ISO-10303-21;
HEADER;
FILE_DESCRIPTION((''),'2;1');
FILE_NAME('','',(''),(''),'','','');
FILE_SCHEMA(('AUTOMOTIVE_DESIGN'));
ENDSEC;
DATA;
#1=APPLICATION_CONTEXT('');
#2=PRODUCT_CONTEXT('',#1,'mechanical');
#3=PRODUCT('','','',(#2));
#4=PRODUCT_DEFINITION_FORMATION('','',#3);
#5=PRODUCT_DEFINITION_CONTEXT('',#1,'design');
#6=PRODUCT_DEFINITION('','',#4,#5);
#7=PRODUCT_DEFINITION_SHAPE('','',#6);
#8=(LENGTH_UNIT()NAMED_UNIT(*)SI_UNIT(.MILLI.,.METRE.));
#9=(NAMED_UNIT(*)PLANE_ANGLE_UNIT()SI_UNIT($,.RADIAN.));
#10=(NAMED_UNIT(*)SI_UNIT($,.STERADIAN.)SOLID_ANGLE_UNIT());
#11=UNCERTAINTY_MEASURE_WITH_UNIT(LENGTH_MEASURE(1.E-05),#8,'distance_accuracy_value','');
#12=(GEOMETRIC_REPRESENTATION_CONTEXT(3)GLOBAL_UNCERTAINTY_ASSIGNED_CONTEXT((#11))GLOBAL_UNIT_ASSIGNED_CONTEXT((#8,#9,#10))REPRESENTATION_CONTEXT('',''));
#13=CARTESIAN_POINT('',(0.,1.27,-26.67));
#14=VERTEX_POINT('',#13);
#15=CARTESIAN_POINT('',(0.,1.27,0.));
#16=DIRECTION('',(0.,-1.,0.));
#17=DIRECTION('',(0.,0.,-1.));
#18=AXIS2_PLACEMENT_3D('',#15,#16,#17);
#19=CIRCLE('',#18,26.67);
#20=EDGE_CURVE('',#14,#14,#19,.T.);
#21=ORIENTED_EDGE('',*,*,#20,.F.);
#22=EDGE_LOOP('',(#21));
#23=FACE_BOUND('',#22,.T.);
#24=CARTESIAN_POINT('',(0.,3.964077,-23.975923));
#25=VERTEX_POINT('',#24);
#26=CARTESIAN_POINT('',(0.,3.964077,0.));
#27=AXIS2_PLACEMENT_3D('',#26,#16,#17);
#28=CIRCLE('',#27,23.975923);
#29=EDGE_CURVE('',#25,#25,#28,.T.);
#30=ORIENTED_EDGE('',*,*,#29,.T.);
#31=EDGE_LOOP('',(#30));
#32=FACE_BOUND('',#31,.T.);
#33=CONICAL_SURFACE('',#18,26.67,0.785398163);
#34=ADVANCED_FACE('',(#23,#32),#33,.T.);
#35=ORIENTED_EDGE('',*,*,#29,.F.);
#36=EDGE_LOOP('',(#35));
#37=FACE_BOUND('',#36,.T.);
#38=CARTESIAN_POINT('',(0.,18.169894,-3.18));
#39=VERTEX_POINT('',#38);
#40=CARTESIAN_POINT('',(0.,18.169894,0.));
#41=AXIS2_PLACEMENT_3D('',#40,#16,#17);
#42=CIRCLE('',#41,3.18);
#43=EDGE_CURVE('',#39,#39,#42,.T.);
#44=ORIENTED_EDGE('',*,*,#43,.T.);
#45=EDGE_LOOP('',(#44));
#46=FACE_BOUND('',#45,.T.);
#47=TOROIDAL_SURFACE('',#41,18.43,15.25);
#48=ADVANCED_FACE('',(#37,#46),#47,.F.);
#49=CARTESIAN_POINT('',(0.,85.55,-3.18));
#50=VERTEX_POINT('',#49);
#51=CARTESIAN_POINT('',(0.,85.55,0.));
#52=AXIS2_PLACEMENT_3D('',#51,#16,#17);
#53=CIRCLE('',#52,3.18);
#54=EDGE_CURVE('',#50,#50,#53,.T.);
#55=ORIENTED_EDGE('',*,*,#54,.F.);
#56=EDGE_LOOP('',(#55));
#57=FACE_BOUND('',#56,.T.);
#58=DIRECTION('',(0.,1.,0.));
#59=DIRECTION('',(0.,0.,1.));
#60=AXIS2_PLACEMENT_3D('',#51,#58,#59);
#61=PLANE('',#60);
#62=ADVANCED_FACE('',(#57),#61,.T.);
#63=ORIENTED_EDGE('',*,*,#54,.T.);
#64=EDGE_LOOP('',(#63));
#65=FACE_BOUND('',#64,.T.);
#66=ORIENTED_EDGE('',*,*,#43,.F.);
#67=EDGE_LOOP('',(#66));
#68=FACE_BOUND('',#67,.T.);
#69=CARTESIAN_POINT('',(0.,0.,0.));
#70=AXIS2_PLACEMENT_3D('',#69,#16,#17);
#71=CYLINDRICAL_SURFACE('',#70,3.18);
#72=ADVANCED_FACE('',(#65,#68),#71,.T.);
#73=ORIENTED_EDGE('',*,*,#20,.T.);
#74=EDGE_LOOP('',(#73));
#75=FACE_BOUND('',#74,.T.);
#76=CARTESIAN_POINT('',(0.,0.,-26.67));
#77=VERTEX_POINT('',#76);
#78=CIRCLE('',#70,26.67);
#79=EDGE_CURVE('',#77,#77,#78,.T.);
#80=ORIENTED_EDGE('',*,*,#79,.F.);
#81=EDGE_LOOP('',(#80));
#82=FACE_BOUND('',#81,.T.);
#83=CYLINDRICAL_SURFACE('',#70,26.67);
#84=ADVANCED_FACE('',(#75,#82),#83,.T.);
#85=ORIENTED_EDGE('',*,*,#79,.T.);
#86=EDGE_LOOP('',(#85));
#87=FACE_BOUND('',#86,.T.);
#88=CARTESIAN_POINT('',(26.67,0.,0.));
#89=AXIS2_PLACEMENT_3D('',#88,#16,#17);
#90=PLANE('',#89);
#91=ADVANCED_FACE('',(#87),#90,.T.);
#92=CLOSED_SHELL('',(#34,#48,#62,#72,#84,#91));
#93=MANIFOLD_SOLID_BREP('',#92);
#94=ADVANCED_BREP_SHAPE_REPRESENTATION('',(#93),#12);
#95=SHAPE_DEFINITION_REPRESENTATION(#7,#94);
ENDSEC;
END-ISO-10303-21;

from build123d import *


with BuildPart() as part:
    # Sketch1 → Revolve1 (revolve)
    with BuildSketch(Plane.XY, mode=Mode.PRIVATE) as revolve1_sk:
        with BuildLine():
            Line((0, 0), (0, 85.55))
            Line((0, 85.55), (3.18, 85.55))
            Line((3.18, 85.55), (3.18, 18.169893823))
            ThreePointArc((3.18, 18.169893823), (9.828047554, 5.577478879), (23.975923164, 3.964076836))
            Line((23.975923164, 3.964076836), (26.67, 1.27))
            Line((26.67, 1.27), (26.67, 0))
            Line((26.67, 0), (0, 0))
        make_face()
    revolve(revolve1_sk.sketch.rotate(Axis((0, 0, 0), (0, 1, 0)), 90), axis=Axis((0, 0, 0), (0, 1, 0)))


solid = part.part
